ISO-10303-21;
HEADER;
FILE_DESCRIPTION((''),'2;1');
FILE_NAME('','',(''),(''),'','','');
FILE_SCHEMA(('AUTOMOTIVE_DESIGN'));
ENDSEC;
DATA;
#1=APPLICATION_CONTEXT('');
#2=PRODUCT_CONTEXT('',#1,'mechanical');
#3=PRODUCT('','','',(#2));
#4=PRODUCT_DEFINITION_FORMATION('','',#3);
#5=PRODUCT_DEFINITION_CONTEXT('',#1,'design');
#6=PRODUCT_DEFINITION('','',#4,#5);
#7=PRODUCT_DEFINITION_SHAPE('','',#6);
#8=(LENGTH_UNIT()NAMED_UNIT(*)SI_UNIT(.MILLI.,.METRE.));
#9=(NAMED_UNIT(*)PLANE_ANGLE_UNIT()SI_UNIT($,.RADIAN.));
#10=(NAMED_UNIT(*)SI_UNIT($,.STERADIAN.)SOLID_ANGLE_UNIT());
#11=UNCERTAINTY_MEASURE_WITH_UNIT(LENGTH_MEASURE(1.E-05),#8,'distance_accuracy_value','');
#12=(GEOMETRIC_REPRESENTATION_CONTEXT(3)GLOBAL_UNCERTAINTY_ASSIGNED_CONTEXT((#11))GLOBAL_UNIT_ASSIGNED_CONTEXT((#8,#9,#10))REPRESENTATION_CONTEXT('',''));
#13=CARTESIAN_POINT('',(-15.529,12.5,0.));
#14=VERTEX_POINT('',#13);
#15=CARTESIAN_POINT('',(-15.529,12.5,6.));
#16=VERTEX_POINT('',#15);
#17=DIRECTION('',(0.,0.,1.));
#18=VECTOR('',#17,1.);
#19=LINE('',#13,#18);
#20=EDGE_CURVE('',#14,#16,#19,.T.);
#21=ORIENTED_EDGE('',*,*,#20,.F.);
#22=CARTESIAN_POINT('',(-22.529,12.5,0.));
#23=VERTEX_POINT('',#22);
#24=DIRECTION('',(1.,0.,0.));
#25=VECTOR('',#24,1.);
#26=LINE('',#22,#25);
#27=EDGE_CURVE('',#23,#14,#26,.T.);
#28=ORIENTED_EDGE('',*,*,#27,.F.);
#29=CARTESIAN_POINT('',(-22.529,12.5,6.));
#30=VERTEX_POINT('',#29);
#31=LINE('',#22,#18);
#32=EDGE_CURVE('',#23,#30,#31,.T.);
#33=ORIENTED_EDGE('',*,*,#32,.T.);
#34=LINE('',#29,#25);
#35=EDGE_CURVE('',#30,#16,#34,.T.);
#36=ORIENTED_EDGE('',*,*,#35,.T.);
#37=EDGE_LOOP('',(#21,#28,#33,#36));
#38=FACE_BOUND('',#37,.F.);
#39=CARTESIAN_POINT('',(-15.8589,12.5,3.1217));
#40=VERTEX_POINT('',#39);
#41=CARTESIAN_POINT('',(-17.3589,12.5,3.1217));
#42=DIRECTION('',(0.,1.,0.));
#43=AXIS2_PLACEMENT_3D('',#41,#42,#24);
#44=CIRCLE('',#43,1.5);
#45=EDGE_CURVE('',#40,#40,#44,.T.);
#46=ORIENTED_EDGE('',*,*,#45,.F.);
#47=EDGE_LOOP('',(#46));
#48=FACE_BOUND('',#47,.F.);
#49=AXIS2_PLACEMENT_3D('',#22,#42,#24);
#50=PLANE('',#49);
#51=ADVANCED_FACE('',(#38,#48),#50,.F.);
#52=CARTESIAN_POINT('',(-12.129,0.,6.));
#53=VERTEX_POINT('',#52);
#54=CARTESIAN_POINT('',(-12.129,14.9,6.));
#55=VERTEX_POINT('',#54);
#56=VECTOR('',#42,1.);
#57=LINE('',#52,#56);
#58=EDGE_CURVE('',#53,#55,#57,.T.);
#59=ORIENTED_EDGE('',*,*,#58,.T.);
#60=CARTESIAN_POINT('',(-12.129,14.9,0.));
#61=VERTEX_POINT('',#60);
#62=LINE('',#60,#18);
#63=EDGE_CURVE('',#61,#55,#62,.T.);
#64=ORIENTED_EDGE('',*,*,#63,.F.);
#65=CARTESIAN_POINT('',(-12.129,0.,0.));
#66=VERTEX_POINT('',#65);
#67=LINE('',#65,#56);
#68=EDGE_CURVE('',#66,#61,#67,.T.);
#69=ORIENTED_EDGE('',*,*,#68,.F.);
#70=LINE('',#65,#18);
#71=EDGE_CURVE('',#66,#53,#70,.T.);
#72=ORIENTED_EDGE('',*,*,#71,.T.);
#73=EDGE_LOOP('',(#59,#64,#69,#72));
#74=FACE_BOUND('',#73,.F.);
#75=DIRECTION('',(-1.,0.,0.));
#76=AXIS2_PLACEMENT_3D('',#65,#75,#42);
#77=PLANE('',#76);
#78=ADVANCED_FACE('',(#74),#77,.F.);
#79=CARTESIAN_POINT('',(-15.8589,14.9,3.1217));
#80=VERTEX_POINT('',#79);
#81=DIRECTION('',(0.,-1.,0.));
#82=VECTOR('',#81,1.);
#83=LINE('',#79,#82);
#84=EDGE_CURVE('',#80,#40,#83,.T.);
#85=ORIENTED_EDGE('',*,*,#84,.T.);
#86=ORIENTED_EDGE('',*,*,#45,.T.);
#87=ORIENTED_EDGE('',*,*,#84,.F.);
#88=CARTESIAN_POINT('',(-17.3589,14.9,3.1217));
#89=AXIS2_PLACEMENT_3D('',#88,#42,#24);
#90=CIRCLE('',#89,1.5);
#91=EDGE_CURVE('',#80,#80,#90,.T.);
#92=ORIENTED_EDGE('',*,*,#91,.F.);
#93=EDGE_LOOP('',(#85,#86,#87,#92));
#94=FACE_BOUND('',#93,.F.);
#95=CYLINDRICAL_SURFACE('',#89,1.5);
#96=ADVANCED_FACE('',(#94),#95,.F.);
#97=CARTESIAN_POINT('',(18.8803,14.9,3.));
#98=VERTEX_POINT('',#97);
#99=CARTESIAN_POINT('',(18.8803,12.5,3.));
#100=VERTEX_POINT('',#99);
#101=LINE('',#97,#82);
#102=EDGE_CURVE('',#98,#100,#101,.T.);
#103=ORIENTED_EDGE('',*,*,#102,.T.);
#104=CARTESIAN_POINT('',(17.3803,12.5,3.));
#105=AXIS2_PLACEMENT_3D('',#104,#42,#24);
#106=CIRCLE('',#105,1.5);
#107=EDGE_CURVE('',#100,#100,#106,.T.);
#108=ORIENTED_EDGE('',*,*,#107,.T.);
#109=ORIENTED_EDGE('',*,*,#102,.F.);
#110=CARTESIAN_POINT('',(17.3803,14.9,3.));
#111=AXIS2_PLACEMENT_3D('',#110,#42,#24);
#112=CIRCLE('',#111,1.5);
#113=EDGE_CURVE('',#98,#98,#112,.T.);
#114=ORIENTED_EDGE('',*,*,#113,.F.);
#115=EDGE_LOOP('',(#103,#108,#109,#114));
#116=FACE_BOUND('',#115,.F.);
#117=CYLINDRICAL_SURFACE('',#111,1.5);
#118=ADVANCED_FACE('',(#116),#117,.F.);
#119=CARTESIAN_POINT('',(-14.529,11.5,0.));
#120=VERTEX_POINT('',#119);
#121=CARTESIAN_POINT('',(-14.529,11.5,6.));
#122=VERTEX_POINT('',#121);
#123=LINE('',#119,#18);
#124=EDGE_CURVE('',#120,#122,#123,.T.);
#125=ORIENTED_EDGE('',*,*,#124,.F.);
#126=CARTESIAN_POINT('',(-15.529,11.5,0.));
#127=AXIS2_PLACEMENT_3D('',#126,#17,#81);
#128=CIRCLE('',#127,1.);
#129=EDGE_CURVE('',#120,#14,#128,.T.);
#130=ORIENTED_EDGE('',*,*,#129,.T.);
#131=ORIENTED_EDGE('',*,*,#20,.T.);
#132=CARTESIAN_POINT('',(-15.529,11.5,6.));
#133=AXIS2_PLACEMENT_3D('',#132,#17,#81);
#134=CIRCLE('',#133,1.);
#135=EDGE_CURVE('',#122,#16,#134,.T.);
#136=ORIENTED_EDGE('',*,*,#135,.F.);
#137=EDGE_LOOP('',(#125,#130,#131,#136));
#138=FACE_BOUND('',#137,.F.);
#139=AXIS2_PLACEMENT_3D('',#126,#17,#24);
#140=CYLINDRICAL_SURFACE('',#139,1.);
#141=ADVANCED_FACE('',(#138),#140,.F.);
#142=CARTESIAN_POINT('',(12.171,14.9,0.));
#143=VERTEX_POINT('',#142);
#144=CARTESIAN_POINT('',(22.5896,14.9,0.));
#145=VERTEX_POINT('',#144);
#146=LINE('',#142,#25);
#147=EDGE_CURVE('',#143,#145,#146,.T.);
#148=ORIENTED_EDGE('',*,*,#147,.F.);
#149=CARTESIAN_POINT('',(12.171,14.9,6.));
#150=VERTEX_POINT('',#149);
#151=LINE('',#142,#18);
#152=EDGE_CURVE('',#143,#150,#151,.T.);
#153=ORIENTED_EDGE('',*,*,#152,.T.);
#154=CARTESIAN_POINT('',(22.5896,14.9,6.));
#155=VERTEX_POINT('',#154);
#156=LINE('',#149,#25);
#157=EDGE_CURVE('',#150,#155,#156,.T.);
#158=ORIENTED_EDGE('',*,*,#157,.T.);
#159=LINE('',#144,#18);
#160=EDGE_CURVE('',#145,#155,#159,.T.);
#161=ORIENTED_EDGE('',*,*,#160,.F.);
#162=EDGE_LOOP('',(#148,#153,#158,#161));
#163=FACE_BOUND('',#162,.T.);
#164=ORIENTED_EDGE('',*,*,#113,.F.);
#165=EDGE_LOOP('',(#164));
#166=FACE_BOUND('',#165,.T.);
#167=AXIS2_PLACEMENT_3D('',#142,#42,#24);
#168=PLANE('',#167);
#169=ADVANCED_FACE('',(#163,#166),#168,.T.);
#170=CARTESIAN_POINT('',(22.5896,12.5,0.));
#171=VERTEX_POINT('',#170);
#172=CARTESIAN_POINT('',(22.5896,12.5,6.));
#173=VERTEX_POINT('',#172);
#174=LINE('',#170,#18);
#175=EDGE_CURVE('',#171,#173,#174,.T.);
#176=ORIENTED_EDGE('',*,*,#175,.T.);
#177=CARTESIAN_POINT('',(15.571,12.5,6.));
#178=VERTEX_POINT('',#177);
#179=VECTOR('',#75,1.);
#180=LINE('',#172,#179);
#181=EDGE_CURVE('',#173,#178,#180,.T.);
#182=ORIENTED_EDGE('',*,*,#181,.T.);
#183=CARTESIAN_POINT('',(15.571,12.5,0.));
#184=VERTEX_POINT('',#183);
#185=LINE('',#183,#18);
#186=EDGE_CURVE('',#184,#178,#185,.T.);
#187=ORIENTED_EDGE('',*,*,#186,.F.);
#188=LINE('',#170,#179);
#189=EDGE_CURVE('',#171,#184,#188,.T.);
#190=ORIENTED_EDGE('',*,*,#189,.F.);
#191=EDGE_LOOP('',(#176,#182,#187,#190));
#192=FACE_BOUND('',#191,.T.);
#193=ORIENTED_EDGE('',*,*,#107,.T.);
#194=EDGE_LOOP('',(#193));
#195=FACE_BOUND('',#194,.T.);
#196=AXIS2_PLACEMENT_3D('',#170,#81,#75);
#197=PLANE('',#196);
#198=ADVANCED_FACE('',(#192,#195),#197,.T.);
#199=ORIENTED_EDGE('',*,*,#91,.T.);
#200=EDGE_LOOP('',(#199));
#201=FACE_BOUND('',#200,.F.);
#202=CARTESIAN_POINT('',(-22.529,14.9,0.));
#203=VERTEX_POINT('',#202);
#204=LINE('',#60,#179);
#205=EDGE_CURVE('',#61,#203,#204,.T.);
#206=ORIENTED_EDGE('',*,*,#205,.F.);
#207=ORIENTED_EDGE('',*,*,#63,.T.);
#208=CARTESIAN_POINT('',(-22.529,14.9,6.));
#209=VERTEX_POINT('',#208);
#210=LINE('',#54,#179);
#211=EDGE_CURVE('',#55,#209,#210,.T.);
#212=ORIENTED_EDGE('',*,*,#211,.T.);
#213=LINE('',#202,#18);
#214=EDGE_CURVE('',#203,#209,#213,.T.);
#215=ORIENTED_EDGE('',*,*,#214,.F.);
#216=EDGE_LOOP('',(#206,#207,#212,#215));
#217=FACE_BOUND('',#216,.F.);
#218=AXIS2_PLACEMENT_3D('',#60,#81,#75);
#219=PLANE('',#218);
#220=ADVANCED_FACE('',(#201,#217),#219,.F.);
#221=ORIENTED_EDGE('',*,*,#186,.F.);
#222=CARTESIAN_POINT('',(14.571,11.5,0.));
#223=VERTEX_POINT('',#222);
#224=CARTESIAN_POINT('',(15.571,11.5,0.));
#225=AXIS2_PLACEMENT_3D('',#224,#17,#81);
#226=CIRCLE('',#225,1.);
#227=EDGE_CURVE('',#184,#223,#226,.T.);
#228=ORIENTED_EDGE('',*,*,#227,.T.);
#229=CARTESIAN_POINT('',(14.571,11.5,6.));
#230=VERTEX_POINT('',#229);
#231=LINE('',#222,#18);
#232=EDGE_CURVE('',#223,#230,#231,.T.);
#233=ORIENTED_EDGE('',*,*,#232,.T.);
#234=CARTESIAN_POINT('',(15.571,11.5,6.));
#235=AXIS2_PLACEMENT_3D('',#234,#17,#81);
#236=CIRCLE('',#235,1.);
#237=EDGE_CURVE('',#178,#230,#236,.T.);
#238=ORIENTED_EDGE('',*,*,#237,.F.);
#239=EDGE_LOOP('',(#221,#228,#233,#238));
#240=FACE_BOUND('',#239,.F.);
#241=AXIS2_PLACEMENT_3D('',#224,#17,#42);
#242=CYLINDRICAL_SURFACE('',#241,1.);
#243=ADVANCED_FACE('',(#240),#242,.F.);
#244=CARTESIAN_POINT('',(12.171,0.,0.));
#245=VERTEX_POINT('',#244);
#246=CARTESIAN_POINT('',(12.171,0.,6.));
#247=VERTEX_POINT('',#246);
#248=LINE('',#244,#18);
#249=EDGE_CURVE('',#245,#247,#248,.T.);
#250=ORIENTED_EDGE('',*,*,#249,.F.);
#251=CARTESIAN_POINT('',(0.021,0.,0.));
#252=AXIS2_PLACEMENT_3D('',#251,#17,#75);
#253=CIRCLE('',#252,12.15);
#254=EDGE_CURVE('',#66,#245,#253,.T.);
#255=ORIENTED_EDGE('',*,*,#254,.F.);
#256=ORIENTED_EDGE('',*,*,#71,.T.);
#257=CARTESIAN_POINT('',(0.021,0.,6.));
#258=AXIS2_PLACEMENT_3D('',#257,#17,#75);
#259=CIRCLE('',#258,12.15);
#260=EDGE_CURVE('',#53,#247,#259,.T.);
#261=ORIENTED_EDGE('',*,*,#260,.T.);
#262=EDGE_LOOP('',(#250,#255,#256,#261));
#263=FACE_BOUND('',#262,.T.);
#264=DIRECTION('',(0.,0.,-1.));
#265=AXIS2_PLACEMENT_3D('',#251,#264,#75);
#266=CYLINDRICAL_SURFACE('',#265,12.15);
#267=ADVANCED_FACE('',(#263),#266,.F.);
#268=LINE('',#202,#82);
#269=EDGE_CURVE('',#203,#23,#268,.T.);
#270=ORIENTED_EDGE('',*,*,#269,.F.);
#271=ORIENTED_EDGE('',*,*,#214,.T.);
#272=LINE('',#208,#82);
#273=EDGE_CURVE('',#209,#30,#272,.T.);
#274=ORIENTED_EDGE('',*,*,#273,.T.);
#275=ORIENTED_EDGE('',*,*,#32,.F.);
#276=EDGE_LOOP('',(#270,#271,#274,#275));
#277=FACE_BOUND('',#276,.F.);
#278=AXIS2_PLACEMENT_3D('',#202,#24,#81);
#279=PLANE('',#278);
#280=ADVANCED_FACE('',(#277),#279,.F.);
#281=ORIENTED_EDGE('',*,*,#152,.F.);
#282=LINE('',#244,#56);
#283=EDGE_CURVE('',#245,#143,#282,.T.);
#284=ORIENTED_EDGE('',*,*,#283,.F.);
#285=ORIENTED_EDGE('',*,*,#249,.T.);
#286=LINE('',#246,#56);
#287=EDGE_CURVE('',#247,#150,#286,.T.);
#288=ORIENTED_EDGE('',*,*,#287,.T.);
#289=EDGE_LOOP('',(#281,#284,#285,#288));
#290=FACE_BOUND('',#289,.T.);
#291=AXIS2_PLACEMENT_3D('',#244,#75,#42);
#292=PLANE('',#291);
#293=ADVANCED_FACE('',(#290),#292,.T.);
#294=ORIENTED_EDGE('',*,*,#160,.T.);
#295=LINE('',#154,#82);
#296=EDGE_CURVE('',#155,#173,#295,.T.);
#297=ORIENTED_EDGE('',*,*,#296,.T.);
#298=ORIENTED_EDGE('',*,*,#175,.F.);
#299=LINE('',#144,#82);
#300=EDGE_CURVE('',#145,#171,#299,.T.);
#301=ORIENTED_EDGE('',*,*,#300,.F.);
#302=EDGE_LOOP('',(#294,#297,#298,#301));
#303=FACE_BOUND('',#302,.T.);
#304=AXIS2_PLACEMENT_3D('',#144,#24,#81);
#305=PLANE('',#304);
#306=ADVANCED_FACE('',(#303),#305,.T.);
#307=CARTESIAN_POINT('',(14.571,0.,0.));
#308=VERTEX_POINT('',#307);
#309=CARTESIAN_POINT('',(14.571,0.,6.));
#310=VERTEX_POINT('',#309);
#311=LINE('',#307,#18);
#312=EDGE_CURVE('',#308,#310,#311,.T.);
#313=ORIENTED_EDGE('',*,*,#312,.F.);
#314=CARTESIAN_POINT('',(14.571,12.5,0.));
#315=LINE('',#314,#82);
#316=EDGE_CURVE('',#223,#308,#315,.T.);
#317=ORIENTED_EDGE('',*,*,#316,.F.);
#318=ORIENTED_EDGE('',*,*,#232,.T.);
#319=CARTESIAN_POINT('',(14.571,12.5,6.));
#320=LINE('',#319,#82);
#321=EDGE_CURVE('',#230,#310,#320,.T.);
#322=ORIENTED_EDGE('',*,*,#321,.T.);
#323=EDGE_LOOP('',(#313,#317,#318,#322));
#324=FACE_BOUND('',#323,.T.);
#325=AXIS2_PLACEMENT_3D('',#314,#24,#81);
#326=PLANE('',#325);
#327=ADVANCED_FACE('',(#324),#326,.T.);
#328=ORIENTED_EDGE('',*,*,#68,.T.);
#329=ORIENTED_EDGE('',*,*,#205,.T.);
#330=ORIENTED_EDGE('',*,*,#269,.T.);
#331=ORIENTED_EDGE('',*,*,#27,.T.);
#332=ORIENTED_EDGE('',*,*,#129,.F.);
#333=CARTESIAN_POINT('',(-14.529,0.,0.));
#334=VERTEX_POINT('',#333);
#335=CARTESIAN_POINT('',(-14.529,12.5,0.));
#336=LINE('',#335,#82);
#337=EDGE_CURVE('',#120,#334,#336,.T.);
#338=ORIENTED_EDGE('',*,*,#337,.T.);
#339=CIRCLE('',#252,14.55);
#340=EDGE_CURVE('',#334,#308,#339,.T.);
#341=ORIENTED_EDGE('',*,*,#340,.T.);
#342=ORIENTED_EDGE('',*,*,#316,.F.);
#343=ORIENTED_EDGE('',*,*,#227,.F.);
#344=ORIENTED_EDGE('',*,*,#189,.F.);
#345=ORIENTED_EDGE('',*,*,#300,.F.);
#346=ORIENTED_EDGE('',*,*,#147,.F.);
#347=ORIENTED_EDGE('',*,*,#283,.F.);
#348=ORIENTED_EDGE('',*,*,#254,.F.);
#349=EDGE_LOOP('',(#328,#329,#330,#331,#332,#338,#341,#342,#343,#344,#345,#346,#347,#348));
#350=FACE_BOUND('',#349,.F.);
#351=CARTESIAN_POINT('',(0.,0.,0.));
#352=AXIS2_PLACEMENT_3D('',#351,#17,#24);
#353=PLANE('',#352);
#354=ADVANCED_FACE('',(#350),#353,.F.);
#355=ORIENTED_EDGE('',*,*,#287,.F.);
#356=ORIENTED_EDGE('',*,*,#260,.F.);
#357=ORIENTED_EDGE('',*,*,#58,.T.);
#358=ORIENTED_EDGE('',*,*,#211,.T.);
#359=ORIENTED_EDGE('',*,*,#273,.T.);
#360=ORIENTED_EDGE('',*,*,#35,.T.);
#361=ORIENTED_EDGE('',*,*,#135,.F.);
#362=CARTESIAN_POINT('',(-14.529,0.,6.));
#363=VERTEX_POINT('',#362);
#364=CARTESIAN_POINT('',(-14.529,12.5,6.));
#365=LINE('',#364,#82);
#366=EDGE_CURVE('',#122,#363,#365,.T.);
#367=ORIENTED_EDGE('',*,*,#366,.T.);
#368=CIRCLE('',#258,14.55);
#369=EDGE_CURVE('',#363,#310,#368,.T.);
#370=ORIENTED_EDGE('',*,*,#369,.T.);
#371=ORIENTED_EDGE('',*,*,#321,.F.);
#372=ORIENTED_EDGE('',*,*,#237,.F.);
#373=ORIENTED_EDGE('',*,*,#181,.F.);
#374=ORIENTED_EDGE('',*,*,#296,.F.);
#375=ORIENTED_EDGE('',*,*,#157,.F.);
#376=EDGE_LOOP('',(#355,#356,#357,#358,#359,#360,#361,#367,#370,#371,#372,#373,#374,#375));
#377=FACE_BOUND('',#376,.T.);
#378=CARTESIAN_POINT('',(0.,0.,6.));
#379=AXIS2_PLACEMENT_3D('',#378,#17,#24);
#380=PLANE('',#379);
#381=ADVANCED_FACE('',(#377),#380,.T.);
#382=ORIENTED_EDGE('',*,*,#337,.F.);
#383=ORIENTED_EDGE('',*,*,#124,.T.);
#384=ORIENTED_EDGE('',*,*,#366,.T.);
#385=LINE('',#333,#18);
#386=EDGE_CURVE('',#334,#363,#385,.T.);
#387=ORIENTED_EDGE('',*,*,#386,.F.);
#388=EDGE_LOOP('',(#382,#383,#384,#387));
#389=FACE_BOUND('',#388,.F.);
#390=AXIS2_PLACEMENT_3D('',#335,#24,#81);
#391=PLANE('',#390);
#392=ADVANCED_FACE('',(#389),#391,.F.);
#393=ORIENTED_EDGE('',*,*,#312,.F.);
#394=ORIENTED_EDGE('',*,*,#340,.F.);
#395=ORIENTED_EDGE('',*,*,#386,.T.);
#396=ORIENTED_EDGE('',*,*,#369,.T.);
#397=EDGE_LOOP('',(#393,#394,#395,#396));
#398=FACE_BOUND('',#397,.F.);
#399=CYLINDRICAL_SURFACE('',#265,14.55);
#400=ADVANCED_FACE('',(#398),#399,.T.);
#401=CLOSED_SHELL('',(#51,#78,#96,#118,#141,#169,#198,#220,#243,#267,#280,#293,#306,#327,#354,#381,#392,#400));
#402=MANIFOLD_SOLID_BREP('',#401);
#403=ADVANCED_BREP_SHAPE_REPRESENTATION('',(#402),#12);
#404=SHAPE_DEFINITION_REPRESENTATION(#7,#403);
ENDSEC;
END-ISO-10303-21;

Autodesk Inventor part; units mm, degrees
ref_plane "YZ Plane" through (0, 0, 0) normal (1, 0, 0) x (0, 1, 0)
ref_plane "XZ Plane" through (0, 0, 0) normal (0, 1, 0) x (-1, 0, 0)
ref_plane "XY Plane" through (0, 0, 0) normal (0, 0, 1) x (1, 0, 0)
sketch "Sketch1" plane through (0, 0, 0) normal (0, 0, 1) x (1, 0, 0)
  line L0 (-22.529, 12.5) -> (-14.529, 12.5)
  line L1 (22.5896, 12.5) -> (14.571, 12.5)
  line L2 (12.171, 14.9) -> (22.5896, 14.9)
  line L3 (22.5896, 14.9) -> (22.5896, 12.5)
  line L4 (-12.129, 14.9) -> (-22.529, 14.9)
  line L5 (-22.529, 14.9) -> (-22.529, 12.5)
  line L6 (-12.129, 0) -> (-12.129, 14.9)
  line L7 (12.171, 0) -> (12.171, 14.9)
  arc A0 (-12.129, 0) -> (12.171, 0) centre (0.021, 0) ccw
  arc A1 (-14.529, 0) -> (14.571, 0) centre (0.021, 0) ccw
  line L8 (-14.529, 12.5) -> (-14.529, -0.0004)
  line L9 (14.571, 12.5) -> (14.571, 0)
  point P0 (0, 0)
  point P1 (14.6524, 0.7379)
  dimension "d34" = 14.9
  dimension "d35" = 14.9
  dimension "d38" = 2.4
  dimension "d39" = 2.4
  dimension "d46" = 24.3
  dimension "d47" = 2.4
  dimension "d48" = 2.4
extrude "Extrusion5" add sketch "Sketch1" along normal blind 6
fillet "Fillet7" radius 1 1 edges at (14.571, 12.5, 3)
fillet "Fillet8" radius 1 1 edges at (-14.529, 12.5, 3)
sketch "Sketch5" plane through (12.171, 14.9, 0) normal (0, 1, 0) x (1, 0, 0)
  line L0 (10.4185, 0) -> (10.4185, -6)
  line L1 (3.4, 0) -> (10.4185, 0) projected
  circle A0 centre (5.2093, -3) radius 1.5
  circle A1 centre (-29.5299, -3.1217) radius 1.5
  point P0 (-12.171, 0)
  dimension "d54" = 3
extrude "Extrusion6" cut sketch "Sketch5" against normal blind 10
properties part number "motor_support_v2" material "PET Plastic"
